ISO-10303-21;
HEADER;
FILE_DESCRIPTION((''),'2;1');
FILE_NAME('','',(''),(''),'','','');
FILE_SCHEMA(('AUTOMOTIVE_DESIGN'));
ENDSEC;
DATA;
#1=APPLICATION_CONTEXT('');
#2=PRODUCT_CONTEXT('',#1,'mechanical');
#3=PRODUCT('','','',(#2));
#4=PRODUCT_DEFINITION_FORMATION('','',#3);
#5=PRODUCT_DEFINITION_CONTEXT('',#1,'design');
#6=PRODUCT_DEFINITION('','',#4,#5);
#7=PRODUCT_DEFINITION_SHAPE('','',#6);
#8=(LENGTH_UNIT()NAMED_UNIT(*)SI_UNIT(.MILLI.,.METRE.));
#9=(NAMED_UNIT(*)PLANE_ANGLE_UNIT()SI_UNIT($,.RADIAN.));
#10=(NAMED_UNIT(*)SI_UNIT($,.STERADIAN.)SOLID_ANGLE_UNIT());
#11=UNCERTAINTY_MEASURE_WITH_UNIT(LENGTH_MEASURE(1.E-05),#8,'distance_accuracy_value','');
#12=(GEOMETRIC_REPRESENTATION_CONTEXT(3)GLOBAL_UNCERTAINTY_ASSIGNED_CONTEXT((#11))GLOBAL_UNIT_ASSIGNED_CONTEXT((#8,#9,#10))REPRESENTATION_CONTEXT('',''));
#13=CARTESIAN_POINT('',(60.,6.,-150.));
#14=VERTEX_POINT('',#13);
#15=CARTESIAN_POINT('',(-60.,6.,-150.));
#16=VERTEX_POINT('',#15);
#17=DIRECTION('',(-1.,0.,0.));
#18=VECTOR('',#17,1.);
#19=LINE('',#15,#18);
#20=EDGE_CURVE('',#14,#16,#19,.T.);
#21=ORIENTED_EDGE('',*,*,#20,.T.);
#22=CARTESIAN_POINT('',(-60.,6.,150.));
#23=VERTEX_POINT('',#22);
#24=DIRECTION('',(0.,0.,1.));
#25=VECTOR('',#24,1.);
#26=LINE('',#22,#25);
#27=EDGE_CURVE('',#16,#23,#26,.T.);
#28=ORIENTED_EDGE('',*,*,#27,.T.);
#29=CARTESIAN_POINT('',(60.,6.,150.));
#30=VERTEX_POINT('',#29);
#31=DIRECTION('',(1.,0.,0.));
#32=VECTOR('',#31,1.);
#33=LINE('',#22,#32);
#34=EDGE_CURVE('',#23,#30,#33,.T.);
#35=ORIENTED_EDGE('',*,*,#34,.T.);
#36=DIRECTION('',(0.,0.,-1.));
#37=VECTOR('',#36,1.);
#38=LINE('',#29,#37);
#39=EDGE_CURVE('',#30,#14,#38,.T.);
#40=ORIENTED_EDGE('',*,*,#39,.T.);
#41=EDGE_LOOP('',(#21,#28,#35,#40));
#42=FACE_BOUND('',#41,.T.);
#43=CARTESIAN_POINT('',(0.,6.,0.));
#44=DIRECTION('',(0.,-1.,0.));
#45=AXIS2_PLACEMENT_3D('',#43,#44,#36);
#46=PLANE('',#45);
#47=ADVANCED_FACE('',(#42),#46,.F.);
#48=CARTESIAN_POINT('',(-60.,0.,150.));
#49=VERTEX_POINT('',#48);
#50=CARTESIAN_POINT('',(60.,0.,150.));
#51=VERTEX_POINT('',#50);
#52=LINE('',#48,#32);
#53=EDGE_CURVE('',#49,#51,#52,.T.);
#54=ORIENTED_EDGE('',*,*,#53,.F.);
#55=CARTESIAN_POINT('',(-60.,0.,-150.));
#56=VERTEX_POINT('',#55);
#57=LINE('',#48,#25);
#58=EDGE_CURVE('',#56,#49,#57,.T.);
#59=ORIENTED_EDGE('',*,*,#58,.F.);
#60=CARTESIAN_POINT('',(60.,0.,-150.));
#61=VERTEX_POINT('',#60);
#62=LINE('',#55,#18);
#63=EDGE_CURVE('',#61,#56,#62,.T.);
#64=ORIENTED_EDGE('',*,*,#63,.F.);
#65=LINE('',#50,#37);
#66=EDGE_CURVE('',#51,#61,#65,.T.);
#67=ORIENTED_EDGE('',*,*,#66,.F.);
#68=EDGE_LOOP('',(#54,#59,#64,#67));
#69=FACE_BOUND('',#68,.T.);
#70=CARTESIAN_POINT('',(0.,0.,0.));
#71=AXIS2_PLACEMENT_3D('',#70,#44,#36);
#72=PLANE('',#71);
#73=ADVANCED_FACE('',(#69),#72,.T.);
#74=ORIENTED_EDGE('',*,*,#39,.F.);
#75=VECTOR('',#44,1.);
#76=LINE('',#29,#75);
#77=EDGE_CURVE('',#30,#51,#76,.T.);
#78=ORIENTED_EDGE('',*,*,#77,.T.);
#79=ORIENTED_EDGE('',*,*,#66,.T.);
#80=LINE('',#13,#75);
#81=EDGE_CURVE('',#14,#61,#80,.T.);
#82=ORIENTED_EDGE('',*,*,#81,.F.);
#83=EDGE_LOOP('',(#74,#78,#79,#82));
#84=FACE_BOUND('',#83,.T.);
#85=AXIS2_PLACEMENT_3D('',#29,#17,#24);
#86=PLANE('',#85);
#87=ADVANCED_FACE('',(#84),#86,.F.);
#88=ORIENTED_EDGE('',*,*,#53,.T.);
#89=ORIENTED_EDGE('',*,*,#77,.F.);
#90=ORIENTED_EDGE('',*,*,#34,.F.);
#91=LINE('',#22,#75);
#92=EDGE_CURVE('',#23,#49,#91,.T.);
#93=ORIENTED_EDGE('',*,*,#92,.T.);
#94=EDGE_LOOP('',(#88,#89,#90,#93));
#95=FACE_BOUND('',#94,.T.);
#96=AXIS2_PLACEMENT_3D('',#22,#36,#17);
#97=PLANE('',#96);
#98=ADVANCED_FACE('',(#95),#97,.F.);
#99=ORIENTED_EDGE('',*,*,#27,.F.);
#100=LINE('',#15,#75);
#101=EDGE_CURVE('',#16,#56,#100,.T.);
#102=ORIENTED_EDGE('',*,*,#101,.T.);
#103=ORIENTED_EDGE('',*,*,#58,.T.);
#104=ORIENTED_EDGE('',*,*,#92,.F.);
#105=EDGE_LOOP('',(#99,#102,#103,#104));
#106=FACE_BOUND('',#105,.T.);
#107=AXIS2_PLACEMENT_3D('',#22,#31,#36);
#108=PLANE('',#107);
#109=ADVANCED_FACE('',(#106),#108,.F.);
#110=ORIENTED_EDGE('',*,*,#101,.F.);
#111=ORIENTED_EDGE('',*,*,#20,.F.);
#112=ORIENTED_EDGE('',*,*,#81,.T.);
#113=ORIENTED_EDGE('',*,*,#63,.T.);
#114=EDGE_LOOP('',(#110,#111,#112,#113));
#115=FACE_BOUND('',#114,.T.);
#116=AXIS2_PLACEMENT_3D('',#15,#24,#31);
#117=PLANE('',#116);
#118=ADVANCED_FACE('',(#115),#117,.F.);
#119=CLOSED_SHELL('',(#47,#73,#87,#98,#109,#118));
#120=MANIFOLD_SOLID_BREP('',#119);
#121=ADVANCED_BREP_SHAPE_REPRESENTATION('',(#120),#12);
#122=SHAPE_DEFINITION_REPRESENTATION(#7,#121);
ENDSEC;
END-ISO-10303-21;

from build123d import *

# Parameters (mm, degrees)
SKETCH1_W                            = 120
SKETCH1_H                            = 300
SHELF_BLANK_NO_MOUNTING_DESIGN_DEPTH = 6


with BuildPart() as part:
    # Sketch1 → Shelf_blank_no_mounting_design (new body)
    with BuildSketch(Plane(origin=(0, 0, 0), x_dir=(1, 0, 0), z_dir=(0, 1, 0))):
        Rectangle(SKETCH1_W, SKETCH1_H)
    extrude(amount=SHELF_BLANK_NO_MOUNTING_DESIGN_DEPTH)


solid = part.part
